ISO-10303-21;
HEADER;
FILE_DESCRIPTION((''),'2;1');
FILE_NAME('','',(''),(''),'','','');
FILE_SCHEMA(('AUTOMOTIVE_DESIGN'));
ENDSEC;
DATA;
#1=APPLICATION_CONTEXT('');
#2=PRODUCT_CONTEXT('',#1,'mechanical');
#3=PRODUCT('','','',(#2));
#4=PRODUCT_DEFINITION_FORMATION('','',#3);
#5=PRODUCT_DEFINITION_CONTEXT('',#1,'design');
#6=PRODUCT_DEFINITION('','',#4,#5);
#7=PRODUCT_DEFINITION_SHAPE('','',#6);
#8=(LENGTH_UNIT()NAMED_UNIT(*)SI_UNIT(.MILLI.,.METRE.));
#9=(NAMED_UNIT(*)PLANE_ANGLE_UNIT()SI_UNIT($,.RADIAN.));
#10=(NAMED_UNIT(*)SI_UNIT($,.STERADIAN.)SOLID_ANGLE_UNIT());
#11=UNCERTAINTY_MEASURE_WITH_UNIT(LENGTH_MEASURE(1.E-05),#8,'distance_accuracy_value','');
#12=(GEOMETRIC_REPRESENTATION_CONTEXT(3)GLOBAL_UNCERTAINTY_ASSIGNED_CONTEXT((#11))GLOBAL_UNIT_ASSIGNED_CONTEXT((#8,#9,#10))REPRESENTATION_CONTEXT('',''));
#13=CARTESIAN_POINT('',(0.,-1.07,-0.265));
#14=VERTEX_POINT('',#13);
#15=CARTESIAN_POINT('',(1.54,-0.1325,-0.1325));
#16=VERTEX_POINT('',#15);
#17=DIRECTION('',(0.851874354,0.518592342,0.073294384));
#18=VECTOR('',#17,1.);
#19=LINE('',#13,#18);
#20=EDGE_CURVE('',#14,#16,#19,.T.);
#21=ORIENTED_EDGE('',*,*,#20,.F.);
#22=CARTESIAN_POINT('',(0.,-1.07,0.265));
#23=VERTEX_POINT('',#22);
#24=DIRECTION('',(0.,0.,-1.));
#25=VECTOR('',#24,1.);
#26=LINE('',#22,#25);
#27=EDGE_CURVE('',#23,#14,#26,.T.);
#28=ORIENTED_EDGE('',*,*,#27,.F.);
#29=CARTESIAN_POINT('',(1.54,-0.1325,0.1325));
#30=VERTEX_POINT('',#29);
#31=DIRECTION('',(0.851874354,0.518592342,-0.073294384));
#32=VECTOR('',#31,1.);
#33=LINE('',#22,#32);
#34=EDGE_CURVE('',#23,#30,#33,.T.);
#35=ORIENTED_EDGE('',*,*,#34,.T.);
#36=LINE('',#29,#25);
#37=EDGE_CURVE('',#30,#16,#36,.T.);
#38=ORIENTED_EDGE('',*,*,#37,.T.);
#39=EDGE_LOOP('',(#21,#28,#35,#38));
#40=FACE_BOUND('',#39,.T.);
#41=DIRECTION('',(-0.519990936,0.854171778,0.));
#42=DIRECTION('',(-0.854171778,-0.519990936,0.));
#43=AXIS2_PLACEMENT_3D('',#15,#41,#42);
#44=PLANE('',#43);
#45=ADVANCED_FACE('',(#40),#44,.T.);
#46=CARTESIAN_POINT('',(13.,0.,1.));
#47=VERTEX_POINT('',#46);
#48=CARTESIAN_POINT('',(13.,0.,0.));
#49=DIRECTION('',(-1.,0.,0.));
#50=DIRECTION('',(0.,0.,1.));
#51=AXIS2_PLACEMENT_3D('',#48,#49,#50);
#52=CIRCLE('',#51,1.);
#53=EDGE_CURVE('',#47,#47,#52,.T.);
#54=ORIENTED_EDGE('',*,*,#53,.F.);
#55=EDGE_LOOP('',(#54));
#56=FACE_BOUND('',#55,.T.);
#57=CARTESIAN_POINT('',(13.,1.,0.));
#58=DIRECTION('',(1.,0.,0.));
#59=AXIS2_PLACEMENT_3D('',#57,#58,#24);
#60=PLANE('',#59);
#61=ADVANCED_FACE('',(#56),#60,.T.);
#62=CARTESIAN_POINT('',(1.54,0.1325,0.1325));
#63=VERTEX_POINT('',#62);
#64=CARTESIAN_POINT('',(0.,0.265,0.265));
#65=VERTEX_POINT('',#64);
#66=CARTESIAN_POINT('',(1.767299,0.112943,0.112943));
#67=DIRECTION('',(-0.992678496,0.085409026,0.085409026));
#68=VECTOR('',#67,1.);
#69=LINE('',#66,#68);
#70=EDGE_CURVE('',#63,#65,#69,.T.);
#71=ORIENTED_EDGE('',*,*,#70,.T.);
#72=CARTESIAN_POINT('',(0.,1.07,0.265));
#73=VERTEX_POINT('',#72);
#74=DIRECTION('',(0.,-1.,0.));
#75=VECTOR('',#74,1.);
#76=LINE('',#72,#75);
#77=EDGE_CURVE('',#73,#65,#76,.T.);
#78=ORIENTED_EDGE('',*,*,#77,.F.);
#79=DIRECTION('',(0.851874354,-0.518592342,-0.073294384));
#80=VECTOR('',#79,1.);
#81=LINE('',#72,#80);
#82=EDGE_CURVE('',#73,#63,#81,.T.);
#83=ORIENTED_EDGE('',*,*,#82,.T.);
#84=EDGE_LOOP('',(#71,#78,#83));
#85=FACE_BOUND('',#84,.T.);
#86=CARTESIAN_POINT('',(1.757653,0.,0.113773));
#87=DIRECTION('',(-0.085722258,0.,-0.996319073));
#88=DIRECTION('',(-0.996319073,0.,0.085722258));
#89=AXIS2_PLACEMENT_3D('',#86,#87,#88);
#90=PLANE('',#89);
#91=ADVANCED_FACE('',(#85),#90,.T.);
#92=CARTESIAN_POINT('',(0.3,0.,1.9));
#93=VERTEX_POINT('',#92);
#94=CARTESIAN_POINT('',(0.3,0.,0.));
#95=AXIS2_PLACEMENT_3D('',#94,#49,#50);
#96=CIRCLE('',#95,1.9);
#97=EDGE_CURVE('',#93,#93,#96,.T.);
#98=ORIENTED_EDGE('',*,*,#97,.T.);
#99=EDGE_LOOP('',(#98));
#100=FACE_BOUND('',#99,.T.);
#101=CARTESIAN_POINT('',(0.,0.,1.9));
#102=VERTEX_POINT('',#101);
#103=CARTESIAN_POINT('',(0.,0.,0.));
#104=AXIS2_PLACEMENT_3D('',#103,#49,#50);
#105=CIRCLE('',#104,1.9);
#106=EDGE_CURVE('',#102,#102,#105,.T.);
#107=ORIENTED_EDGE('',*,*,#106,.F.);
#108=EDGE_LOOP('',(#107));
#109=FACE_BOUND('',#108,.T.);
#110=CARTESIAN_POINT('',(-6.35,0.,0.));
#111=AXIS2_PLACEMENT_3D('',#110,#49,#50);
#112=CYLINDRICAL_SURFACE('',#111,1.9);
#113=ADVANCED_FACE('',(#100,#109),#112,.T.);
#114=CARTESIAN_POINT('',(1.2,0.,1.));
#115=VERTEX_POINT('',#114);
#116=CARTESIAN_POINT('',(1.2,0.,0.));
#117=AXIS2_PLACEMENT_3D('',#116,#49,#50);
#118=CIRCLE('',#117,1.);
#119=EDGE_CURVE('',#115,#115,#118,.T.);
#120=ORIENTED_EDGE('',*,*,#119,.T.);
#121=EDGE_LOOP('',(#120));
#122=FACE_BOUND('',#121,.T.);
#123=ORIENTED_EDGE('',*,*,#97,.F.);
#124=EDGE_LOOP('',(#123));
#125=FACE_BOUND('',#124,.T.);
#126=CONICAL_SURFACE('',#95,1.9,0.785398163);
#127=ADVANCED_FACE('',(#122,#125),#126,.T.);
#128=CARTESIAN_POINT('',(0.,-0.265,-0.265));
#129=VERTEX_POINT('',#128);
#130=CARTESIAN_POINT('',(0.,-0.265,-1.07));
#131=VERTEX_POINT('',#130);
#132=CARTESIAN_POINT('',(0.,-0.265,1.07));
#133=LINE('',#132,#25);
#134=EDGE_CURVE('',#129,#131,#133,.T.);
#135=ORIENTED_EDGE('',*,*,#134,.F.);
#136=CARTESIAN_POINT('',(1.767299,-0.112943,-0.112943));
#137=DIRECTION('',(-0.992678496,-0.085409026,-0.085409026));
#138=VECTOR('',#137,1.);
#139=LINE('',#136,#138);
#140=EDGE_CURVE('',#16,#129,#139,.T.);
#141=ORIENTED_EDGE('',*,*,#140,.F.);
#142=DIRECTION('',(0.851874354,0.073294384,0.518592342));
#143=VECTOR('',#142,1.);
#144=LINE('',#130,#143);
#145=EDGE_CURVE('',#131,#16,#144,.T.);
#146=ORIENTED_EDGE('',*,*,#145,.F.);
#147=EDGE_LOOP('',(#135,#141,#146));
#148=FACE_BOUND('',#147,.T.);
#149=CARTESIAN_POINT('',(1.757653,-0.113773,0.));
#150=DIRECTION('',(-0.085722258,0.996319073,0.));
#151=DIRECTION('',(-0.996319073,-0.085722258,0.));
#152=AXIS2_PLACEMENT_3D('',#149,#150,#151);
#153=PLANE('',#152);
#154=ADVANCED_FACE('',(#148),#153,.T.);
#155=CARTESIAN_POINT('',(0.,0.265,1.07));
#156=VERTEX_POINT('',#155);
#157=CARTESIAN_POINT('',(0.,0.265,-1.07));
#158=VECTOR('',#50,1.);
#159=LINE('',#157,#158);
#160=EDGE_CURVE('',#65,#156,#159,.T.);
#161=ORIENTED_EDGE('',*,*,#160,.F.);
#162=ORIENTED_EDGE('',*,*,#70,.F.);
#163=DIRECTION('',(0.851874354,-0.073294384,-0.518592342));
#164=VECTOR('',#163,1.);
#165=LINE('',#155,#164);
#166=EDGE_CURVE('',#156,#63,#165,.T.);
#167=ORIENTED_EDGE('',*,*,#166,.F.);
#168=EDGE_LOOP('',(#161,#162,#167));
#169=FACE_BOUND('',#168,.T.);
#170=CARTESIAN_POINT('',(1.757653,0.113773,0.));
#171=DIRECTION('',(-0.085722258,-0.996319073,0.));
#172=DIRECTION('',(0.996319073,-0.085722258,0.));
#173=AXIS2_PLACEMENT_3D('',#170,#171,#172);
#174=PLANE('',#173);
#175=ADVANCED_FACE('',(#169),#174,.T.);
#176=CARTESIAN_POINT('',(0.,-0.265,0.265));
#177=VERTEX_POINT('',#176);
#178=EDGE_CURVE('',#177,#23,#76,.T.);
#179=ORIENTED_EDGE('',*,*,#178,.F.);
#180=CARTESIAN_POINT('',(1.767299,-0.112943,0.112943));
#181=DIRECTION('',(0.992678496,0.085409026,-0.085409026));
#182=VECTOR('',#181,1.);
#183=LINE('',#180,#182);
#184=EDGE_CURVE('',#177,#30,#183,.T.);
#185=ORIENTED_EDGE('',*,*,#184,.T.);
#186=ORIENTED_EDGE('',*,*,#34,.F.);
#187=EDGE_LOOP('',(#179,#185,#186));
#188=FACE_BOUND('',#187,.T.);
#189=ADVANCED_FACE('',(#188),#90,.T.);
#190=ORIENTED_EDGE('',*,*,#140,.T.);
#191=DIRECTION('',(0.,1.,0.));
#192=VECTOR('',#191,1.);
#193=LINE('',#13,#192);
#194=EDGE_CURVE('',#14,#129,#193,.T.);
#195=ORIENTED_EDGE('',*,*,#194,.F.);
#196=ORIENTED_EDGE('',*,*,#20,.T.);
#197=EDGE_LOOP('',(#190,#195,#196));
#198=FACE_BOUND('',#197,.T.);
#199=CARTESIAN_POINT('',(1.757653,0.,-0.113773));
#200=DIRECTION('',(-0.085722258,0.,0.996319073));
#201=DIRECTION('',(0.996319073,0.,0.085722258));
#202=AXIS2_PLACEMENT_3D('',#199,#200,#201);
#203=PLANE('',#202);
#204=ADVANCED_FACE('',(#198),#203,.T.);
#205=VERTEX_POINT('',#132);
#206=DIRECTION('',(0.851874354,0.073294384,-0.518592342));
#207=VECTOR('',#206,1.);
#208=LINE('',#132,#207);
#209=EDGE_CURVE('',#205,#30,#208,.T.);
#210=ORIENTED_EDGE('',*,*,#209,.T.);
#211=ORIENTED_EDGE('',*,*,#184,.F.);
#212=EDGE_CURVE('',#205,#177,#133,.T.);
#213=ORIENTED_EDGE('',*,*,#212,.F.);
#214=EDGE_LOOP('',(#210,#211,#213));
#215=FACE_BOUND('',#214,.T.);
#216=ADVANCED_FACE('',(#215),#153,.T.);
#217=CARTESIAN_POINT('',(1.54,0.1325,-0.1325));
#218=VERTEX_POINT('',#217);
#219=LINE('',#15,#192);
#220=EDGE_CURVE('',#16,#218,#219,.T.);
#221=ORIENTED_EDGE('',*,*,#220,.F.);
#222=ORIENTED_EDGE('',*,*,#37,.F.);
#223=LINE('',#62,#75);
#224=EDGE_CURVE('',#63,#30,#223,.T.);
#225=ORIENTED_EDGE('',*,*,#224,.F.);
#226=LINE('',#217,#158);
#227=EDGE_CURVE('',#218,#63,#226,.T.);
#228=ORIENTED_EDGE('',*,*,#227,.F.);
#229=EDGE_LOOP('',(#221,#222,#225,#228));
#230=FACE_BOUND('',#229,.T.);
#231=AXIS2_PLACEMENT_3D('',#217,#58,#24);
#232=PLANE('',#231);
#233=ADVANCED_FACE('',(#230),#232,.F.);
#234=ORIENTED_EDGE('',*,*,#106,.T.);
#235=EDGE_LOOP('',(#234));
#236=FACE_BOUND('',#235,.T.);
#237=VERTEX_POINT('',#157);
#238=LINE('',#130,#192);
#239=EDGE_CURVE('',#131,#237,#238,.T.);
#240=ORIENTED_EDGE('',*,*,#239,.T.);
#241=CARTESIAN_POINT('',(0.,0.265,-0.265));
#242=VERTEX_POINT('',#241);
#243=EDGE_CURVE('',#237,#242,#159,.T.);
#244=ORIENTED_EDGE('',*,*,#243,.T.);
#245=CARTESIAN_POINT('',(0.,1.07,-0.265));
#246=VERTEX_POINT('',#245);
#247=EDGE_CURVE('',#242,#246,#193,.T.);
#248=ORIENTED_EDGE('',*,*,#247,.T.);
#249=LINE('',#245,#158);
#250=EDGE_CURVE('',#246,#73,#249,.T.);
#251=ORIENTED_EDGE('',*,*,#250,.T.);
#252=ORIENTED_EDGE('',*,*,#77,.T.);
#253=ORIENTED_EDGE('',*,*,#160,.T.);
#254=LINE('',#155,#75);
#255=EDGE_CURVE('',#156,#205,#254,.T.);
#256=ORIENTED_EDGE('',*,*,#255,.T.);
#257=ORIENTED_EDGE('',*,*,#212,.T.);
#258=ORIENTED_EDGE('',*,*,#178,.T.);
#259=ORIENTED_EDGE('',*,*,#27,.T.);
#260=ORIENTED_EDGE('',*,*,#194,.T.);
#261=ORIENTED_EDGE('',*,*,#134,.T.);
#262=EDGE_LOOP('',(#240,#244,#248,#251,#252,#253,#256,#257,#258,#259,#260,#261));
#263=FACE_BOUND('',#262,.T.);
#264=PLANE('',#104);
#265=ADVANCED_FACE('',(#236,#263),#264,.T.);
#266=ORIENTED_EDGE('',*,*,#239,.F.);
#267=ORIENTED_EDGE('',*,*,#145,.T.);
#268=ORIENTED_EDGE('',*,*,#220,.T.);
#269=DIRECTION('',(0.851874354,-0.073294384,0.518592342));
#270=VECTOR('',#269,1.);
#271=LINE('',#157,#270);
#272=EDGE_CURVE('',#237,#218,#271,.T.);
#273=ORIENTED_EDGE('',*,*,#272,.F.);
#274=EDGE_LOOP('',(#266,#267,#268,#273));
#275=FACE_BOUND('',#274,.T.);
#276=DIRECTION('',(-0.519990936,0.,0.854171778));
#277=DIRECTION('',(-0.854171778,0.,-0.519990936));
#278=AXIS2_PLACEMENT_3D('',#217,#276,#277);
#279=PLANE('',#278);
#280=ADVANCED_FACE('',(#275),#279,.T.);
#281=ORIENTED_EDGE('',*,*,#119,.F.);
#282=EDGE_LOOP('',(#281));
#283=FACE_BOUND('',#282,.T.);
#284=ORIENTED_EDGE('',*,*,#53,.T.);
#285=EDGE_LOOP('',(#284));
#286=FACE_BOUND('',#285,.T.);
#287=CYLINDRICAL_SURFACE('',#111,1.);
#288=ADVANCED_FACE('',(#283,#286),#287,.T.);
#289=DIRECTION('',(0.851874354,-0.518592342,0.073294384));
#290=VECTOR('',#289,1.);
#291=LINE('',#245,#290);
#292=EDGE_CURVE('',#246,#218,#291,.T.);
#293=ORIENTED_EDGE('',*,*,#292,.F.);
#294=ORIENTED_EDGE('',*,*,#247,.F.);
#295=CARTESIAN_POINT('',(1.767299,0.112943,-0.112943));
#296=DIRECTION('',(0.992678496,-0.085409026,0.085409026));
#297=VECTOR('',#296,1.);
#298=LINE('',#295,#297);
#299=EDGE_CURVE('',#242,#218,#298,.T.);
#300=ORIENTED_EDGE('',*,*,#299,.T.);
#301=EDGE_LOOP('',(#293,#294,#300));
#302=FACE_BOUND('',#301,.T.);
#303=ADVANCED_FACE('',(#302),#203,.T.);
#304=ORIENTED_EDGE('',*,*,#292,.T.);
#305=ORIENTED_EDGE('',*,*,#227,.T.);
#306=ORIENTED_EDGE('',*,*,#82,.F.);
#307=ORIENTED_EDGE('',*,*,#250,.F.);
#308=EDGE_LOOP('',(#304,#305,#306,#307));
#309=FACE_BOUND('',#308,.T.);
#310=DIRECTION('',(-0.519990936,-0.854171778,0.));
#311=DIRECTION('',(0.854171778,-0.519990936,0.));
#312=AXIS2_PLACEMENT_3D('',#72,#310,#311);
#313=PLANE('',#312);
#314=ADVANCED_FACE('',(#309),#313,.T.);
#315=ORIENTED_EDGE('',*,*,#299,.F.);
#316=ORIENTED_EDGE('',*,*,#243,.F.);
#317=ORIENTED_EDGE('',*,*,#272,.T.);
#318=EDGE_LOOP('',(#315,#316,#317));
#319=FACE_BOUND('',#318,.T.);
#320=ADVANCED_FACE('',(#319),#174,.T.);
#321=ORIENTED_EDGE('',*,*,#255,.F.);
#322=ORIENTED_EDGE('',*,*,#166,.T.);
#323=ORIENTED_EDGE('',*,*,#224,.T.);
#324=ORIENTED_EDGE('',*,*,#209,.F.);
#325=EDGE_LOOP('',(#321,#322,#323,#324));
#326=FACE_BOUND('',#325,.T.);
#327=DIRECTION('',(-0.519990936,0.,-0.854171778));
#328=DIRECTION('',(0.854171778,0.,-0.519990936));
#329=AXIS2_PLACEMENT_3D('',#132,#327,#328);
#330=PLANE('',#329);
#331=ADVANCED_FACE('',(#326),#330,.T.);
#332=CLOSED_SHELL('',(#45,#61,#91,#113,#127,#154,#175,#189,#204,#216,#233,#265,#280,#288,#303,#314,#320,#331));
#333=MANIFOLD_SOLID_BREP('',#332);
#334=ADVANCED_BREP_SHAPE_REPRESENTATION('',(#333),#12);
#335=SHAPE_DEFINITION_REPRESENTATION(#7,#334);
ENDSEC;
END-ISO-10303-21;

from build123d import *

# Parameters (mm, degrees)
SKETCH3_W         = 0.53
SKETCH3_H         = 2.14
SKETCH4_W         = 0.265
SKETCH4_H         = 0.265
CIRPATTERN1_COUNT = 2
CIRPATTERN1_ANGLE = 90


with BuildPart() as part:
    # BodySke → Base-Revolve (revolve)
    with BuildSketch(Plane.XY):
        Polygon((0, 0), (0, 1.9), (0.3, 1.9), (1.2, 1), (13, 1), (13, 0), align=None)
    revolve(axis=Axis((-6.35, 0, 0), (1, 0, 0)))

    # Sketch3 → Cross section 0
    with BuildSketch(Plane.ZY):
        Rectangle(SKETCH3_W, SKETCH3_H)
    # Sketch4 → Cross section 1
    with BuildSketch(Plane.ZY.offset(-1.54)):
        Rectangle(SKETCH4_W, SKETCH4_H)
    cross = loft(mode=Mode.SUBTRACT)

    # CirPattern1: Cross ×2 about axis
    cirpattern1_axis = Axis((0, 0, 0), (1, 0, 0))
    for i in range(1, CIRPATTERN1_COUNT):
        add(cross.rotate(cirpattern1_axis, i * CIRPATTERN1_ANGLE / (CIRPATTERN1_COUNT - 1)), mode=Mode.SUBTRACT)


solid = part.part
